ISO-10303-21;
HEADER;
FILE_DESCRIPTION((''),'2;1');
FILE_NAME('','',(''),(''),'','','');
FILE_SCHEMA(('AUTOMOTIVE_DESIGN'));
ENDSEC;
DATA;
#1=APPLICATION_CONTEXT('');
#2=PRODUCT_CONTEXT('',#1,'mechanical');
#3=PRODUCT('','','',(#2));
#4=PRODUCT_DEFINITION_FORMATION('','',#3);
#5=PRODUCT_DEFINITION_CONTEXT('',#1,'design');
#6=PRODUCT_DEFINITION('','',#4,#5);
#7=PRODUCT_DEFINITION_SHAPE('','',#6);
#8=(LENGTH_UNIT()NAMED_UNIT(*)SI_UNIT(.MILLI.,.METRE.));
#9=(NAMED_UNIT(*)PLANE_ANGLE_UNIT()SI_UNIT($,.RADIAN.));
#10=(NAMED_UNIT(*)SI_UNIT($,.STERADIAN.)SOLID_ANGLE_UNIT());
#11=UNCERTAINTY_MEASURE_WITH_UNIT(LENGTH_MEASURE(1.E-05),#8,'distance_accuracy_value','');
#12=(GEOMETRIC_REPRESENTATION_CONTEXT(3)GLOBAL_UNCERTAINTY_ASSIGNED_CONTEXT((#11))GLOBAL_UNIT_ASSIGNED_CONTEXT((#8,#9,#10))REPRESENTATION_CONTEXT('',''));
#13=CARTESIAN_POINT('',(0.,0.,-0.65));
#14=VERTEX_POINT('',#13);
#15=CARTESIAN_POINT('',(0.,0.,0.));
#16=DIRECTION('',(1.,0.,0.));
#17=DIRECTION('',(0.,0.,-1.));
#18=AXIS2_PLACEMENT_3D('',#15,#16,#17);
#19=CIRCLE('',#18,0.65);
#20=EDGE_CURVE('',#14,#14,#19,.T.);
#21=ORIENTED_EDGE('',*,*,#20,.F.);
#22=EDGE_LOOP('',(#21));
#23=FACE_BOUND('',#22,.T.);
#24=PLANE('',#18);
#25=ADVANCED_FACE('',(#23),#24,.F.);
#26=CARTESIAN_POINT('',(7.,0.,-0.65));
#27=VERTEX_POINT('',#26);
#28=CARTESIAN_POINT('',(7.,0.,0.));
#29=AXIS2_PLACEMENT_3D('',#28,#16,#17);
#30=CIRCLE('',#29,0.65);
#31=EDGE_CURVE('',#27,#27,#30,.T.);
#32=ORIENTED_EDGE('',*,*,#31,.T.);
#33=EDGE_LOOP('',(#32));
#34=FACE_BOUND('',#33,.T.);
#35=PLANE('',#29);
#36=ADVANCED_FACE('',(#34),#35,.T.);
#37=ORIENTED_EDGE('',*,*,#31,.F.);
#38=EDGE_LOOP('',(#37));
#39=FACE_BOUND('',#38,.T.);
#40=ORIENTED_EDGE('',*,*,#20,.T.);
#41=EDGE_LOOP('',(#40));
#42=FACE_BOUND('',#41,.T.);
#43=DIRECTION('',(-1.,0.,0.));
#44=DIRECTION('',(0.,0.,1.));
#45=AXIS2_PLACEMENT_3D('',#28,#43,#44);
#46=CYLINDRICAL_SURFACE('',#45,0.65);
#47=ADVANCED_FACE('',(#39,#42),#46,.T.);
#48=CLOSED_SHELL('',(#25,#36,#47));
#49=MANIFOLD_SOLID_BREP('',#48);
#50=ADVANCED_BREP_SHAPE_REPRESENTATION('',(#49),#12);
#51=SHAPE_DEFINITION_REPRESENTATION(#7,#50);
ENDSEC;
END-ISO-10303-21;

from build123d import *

# Parameters (mm, degrees)
ESQUISSE1_R      = 0.65
EXTRUSION1_DEPTH = 7


with BuildPart() as part:
    # Esquisse1 → Extrusion1 (new body)
    with BuildSketch(Plane(origin=(0, 0, 0), x_dir=(0, 0, -1), z_dir=(1, 0, 0))):
        Circle(ESQUISSE1_R)
    extrude(amount=EXTRUSION1_DEPTH)


solid = part.part
